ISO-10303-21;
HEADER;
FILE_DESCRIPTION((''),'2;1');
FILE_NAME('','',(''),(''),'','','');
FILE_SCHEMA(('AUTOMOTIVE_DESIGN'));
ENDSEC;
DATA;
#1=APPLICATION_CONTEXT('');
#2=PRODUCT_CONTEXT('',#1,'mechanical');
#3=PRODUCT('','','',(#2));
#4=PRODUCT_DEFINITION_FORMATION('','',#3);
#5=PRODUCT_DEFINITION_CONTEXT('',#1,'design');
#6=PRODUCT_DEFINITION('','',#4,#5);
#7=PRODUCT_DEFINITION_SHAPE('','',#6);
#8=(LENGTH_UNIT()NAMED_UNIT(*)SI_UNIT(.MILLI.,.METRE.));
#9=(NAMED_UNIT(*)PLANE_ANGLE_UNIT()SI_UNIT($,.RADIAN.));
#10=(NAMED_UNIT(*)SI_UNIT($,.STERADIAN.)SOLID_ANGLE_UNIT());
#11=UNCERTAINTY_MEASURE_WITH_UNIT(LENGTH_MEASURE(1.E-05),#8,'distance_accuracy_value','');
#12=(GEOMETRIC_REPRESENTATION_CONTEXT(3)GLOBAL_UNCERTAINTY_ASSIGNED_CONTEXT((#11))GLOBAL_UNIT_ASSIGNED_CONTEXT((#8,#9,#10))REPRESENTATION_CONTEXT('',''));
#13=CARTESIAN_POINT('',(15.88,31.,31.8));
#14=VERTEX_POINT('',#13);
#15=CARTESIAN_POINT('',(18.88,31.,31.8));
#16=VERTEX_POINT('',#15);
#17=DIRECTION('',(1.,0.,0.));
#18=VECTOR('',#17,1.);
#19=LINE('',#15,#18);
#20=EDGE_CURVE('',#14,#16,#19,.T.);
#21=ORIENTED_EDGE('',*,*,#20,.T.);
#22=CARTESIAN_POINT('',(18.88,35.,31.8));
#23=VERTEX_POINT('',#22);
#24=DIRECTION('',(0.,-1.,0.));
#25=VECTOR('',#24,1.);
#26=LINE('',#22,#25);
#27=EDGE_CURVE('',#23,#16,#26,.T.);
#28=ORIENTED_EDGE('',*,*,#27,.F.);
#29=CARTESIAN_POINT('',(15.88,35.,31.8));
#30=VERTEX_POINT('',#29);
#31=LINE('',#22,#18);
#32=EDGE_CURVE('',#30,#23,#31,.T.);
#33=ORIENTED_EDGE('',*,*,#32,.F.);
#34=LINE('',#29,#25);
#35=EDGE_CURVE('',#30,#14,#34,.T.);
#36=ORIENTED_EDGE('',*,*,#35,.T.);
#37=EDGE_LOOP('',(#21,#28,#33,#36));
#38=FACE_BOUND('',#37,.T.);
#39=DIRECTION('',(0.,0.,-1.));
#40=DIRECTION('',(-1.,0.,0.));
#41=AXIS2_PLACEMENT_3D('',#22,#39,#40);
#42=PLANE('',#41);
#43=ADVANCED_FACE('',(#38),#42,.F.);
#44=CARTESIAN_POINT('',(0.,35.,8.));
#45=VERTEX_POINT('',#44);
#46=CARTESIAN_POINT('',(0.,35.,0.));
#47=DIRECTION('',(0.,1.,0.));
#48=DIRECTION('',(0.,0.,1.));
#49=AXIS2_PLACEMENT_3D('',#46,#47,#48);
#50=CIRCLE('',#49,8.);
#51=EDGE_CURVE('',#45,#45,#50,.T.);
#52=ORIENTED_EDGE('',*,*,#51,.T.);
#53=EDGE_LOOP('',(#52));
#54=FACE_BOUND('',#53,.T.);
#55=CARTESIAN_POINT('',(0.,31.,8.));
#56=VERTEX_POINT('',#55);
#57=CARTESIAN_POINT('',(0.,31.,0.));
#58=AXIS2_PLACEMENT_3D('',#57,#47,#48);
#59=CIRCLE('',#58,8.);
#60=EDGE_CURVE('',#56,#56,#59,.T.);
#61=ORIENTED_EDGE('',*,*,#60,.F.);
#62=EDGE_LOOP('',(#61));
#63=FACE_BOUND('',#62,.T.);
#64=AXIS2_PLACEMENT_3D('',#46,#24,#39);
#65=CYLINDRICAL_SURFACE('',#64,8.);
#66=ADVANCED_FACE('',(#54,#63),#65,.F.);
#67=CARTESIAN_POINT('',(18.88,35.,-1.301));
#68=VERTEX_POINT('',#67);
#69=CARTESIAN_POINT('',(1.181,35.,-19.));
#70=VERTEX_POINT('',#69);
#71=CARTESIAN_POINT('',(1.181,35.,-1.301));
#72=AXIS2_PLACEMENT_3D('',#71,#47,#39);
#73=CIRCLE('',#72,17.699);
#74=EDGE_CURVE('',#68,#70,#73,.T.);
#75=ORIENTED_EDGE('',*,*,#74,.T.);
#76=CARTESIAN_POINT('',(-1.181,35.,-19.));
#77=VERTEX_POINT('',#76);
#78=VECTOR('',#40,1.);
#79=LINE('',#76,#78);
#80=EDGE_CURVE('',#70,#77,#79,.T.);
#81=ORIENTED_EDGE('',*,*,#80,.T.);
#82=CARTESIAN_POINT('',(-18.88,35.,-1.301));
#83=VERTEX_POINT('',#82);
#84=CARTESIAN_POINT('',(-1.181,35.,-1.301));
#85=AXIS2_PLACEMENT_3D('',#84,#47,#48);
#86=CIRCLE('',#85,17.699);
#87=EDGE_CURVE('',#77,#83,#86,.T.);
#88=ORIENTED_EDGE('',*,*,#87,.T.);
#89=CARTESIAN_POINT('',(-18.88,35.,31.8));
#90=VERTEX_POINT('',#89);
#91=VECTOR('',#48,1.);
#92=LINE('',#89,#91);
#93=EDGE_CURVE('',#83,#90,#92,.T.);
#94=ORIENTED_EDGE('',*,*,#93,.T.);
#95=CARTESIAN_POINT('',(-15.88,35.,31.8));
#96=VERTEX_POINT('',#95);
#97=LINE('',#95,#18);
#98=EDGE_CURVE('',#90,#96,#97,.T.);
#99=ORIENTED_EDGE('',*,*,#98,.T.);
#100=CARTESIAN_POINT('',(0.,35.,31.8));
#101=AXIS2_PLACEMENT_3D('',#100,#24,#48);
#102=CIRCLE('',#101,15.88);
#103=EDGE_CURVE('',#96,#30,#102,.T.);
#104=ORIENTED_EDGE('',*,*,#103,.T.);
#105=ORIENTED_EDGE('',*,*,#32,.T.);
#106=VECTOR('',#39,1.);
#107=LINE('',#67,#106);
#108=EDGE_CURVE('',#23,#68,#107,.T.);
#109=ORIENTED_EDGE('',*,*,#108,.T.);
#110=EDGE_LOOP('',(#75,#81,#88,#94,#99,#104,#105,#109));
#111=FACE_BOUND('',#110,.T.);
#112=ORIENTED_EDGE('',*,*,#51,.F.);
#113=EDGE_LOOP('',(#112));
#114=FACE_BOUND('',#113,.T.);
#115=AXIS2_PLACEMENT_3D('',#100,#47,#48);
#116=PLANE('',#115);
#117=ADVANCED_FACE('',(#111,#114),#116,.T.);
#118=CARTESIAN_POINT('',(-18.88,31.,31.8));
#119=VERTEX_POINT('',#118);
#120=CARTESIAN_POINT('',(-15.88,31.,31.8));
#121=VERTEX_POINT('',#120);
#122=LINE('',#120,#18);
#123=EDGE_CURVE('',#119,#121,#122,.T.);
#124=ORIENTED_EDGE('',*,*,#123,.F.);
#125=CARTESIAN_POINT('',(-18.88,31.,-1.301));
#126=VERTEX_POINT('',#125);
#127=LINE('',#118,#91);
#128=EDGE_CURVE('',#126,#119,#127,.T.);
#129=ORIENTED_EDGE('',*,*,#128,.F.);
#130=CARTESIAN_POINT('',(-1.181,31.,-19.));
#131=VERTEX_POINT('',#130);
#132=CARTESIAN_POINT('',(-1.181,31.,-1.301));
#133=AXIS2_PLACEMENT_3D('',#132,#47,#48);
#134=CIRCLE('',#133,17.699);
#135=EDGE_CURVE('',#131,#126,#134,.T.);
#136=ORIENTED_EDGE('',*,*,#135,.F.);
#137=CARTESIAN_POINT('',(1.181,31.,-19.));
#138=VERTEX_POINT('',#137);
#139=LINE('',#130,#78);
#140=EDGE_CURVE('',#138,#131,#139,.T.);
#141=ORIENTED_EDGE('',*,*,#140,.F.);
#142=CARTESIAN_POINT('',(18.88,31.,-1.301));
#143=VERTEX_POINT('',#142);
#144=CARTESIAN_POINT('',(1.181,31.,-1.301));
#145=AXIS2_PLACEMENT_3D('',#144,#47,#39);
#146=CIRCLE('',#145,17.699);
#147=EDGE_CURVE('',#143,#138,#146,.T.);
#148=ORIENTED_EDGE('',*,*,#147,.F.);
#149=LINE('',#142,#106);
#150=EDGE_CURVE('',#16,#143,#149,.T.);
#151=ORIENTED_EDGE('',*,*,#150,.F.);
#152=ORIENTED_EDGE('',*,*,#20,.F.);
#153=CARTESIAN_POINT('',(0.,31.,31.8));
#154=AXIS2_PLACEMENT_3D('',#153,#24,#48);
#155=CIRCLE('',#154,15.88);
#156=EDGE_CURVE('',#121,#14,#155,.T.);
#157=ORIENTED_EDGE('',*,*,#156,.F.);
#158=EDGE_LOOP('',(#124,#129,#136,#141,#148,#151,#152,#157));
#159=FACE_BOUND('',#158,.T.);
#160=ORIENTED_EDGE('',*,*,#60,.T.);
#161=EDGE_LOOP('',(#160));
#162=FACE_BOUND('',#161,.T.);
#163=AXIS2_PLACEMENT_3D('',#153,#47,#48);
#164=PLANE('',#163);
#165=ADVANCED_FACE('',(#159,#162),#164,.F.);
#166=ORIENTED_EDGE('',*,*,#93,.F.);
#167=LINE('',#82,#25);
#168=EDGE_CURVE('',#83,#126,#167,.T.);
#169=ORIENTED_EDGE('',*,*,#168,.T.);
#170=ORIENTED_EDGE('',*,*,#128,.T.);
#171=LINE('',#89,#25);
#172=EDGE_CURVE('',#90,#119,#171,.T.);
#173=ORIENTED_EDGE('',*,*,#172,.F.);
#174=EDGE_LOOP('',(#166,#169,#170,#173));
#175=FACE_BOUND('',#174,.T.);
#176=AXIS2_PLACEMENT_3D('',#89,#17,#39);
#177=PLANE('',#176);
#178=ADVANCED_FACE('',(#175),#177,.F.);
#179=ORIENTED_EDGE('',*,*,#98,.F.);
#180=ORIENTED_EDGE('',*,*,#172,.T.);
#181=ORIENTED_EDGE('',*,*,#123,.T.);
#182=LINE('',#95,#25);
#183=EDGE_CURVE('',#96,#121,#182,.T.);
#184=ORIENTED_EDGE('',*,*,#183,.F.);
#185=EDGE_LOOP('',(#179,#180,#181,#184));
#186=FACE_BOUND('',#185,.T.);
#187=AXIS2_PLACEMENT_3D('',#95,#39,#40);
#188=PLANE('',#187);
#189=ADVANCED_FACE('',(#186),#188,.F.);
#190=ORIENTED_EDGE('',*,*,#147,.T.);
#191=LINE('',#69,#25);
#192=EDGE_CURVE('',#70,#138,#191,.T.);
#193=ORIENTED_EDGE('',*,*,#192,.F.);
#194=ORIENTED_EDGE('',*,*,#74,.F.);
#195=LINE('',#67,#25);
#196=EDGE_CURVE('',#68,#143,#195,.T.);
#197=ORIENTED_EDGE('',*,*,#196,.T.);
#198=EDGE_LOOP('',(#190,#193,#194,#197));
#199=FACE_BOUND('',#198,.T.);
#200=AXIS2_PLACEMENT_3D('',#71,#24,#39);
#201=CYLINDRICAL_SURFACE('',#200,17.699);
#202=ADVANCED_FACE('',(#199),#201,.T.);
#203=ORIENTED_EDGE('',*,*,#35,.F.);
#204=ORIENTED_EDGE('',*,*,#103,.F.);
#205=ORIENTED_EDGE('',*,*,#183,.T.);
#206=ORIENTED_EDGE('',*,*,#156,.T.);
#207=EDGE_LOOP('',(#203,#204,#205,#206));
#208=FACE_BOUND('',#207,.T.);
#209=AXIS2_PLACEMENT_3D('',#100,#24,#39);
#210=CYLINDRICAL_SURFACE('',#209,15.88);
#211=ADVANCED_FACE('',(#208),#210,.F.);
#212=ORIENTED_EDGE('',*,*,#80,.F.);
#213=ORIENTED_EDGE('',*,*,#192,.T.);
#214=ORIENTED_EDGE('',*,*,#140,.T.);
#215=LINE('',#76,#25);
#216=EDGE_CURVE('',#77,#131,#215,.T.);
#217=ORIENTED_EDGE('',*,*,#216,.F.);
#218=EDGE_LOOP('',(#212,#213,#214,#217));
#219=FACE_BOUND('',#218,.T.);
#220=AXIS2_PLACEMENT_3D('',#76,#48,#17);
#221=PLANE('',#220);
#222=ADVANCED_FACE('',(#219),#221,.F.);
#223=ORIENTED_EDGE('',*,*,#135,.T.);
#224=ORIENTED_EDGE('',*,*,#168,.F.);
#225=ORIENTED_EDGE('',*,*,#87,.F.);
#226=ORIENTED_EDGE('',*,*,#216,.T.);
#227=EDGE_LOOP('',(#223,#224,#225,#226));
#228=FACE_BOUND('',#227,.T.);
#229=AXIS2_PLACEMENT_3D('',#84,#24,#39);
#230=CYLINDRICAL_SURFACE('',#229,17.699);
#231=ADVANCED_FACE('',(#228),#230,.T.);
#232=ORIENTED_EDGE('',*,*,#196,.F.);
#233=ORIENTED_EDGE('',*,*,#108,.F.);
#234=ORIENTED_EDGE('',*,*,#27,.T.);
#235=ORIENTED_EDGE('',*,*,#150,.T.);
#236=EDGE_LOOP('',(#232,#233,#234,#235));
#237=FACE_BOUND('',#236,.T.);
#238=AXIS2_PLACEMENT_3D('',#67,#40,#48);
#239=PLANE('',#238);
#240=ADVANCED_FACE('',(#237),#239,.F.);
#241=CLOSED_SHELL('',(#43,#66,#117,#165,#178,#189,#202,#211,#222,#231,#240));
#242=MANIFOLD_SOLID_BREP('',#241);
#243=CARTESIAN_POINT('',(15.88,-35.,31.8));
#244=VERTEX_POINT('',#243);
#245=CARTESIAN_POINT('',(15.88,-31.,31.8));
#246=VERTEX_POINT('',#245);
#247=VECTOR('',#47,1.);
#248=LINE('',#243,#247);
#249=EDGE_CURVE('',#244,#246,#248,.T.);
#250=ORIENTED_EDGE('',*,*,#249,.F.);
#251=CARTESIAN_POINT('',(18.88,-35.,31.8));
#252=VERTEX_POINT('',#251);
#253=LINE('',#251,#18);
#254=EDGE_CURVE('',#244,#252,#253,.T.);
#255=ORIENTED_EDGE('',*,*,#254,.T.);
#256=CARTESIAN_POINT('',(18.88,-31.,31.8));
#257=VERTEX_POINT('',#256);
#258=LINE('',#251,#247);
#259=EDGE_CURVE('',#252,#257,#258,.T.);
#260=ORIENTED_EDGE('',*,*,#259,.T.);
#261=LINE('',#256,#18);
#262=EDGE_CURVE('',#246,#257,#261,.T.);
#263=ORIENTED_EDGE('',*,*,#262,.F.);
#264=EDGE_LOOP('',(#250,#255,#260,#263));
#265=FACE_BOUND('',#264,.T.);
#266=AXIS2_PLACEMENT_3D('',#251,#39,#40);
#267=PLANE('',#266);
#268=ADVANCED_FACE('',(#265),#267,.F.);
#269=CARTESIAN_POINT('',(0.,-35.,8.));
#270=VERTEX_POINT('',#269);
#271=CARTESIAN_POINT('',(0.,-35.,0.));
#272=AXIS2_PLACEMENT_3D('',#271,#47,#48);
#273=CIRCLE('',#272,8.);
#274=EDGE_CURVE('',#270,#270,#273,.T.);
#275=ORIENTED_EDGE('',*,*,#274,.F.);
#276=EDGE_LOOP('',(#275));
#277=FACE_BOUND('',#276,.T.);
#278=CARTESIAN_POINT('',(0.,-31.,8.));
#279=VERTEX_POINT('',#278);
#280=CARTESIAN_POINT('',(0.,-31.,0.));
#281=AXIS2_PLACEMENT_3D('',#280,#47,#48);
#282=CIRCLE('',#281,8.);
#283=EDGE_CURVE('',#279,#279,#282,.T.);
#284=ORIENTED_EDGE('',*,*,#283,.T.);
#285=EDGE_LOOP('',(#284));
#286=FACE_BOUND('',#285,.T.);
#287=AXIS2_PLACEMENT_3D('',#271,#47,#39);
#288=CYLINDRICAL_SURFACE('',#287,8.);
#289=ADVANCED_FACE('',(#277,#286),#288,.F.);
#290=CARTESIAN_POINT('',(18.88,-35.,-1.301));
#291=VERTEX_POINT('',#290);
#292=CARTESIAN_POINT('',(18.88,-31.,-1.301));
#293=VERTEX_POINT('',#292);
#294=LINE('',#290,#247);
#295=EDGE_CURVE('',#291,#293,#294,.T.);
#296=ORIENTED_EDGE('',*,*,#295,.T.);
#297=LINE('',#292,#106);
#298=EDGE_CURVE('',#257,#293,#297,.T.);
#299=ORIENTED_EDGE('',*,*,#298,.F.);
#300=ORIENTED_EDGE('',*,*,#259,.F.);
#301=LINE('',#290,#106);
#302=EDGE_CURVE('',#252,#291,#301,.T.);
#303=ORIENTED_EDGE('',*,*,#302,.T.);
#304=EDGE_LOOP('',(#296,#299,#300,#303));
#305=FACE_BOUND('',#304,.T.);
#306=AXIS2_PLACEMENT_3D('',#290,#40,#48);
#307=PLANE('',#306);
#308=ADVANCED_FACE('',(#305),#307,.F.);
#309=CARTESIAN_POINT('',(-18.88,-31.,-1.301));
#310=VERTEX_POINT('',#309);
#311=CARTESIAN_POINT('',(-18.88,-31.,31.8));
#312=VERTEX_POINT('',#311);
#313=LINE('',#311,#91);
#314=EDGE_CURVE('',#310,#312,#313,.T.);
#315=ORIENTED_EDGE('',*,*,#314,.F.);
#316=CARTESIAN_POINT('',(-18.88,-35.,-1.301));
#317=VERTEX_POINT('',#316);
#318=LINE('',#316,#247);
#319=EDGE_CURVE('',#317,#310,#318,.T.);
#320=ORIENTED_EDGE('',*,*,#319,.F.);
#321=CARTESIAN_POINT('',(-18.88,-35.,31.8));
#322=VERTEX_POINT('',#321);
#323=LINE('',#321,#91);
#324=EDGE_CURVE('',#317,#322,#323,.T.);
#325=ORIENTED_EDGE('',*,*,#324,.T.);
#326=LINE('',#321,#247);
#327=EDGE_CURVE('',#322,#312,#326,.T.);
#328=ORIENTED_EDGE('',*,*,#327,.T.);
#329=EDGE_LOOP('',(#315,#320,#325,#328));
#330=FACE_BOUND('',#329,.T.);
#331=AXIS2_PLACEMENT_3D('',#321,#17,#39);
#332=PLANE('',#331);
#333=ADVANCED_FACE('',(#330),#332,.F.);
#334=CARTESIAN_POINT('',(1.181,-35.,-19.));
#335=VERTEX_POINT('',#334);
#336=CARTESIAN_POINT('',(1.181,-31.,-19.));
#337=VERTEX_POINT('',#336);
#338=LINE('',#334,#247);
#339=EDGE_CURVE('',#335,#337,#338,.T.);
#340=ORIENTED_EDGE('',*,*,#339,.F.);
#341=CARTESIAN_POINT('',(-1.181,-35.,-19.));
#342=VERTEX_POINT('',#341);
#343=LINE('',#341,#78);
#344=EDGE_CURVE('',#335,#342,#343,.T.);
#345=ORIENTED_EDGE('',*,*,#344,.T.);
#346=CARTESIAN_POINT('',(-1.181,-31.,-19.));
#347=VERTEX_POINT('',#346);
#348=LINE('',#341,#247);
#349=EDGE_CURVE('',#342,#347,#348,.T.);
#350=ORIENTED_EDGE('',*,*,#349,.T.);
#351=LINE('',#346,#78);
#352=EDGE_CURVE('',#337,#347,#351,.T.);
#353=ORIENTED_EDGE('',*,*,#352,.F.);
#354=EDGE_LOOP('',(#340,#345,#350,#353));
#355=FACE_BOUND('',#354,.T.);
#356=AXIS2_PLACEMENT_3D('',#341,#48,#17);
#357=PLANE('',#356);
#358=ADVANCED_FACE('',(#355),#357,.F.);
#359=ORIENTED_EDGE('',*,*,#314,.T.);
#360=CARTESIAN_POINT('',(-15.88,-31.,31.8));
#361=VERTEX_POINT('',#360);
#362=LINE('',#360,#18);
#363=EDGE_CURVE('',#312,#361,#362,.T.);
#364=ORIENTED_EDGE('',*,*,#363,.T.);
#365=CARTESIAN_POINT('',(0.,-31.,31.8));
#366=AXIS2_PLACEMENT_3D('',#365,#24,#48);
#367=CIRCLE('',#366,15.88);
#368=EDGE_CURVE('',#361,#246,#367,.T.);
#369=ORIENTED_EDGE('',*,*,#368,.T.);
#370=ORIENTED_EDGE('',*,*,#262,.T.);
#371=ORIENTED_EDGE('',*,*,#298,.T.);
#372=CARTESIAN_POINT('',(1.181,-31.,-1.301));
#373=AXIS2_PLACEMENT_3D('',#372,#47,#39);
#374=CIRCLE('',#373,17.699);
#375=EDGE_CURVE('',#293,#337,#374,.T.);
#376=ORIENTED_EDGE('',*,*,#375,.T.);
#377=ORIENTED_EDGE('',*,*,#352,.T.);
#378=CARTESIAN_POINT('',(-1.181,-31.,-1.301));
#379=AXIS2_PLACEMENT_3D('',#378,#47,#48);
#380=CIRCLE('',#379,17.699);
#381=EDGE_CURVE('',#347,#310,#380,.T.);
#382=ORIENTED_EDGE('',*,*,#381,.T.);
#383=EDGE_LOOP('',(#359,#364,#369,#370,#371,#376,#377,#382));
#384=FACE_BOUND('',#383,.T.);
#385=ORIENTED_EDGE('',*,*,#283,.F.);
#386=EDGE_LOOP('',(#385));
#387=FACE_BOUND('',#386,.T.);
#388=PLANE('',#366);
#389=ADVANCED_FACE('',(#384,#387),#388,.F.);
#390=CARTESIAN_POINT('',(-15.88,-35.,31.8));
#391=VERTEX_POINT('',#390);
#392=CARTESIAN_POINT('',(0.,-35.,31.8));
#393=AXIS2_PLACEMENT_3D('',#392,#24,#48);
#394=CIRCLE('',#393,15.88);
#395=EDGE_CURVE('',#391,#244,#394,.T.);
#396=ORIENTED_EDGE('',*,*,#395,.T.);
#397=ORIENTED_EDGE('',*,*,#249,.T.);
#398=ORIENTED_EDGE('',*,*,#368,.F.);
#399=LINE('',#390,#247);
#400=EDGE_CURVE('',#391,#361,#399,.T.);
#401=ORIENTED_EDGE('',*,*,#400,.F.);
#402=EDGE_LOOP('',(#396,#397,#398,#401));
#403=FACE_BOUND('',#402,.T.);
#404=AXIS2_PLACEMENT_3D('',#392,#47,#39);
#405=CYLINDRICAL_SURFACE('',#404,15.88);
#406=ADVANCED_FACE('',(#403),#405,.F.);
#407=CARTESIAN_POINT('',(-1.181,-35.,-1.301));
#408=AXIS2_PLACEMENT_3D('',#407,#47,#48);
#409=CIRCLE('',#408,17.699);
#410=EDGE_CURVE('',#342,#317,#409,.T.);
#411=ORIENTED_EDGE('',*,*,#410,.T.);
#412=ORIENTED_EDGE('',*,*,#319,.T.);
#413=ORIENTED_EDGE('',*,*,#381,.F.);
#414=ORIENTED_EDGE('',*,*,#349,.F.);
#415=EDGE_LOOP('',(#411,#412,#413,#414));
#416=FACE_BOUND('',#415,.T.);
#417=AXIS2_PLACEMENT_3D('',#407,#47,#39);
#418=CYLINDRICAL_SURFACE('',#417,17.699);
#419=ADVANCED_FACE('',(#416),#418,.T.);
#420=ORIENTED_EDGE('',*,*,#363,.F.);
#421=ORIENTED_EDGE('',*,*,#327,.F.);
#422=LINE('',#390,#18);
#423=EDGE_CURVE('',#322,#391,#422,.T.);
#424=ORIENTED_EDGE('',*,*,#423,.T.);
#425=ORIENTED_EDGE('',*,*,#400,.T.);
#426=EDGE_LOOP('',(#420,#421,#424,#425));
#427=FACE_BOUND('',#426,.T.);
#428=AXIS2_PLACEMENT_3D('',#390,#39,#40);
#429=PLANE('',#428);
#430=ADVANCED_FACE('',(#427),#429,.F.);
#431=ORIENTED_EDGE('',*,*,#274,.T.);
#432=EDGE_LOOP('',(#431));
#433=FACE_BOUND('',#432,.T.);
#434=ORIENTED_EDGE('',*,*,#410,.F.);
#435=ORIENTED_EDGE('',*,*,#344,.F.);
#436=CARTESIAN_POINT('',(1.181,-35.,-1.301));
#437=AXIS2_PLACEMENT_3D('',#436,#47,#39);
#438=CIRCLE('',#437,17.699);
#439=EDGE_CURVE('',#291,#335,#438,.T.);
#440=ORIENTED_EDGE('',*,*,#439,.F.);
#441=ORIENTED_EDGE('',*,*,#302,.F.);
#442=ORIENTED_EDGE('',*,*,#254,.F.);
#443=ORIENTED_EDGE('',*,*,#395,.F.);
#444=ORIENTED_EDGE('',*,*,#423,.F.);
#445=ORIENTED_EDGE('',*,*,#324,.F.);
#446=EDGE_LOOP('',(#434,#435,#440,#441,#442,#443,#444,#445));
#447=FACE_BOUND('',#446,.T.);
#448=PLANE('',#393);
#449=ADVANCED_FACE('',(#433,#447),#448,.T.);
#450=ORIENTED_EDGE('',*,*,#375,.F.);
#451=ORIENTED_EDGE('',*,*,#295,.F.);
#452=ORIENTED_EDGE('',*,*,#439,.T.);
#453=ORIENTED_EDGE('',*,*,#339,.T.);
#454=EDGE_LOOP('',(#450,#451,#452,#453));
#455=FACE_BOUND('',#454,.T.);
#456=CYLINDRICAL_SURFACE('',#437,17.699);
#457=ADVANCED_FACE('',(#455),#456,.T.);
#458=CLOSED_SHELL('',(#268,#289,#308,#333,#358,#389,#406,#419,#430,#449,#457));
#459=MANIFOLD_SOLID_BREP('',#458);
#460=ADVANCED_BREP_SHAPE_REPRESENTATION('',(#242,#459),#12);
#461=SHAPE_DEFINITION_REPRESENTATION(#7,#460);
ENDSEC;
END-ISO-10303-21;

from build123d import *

# Parameters (mm, degrees)
SKETCH1_R           = 8
BOSS_EXTRUDE1_DEPTH = 4


with BuildPart() as part:
    # Sketch1 → Boss-Extrude1 (new body)
    with BuildSketch(Plane(origin=(0, 31, 0), x_dir=(1, 0, 0), z_dir=(0, 1, 0))):
        with BuildLine():
            Line((18.88, -31.8), (15.88, -31.8))
            ThreePointArc((15.88, -31.8), (0, -15.92), (-15.88, -31.8))
            Line((-15.88, -31.8), (-18.88, -31.8))
            Line((-18.88, -31.8), (-18.88, 1.301))
            ThreePointArc((-18.88, 1.301), (-13.69608292, 13.81608292), (-1.181, 19))
            Line((-1.181, 19), (1.181, 19))
            ThreePointArc((1.181, 19), (13.69608292, 13.81608292), (18.88, 1.301))
            Line((18.88, 1.301), (18.88, -31.8))
        make_face()
        Circle(SKETCH1_R, mode=Mode.SUBTRACT)
    extrude(amount=BOSS_EXTRUDE1_DEPTH)


with BuildPart() as body_2:
    # Mirror1: mirrored copy
    add(part.part.mirror(Plane.ZX))


solid = Compound([part.part, body_2.part])
